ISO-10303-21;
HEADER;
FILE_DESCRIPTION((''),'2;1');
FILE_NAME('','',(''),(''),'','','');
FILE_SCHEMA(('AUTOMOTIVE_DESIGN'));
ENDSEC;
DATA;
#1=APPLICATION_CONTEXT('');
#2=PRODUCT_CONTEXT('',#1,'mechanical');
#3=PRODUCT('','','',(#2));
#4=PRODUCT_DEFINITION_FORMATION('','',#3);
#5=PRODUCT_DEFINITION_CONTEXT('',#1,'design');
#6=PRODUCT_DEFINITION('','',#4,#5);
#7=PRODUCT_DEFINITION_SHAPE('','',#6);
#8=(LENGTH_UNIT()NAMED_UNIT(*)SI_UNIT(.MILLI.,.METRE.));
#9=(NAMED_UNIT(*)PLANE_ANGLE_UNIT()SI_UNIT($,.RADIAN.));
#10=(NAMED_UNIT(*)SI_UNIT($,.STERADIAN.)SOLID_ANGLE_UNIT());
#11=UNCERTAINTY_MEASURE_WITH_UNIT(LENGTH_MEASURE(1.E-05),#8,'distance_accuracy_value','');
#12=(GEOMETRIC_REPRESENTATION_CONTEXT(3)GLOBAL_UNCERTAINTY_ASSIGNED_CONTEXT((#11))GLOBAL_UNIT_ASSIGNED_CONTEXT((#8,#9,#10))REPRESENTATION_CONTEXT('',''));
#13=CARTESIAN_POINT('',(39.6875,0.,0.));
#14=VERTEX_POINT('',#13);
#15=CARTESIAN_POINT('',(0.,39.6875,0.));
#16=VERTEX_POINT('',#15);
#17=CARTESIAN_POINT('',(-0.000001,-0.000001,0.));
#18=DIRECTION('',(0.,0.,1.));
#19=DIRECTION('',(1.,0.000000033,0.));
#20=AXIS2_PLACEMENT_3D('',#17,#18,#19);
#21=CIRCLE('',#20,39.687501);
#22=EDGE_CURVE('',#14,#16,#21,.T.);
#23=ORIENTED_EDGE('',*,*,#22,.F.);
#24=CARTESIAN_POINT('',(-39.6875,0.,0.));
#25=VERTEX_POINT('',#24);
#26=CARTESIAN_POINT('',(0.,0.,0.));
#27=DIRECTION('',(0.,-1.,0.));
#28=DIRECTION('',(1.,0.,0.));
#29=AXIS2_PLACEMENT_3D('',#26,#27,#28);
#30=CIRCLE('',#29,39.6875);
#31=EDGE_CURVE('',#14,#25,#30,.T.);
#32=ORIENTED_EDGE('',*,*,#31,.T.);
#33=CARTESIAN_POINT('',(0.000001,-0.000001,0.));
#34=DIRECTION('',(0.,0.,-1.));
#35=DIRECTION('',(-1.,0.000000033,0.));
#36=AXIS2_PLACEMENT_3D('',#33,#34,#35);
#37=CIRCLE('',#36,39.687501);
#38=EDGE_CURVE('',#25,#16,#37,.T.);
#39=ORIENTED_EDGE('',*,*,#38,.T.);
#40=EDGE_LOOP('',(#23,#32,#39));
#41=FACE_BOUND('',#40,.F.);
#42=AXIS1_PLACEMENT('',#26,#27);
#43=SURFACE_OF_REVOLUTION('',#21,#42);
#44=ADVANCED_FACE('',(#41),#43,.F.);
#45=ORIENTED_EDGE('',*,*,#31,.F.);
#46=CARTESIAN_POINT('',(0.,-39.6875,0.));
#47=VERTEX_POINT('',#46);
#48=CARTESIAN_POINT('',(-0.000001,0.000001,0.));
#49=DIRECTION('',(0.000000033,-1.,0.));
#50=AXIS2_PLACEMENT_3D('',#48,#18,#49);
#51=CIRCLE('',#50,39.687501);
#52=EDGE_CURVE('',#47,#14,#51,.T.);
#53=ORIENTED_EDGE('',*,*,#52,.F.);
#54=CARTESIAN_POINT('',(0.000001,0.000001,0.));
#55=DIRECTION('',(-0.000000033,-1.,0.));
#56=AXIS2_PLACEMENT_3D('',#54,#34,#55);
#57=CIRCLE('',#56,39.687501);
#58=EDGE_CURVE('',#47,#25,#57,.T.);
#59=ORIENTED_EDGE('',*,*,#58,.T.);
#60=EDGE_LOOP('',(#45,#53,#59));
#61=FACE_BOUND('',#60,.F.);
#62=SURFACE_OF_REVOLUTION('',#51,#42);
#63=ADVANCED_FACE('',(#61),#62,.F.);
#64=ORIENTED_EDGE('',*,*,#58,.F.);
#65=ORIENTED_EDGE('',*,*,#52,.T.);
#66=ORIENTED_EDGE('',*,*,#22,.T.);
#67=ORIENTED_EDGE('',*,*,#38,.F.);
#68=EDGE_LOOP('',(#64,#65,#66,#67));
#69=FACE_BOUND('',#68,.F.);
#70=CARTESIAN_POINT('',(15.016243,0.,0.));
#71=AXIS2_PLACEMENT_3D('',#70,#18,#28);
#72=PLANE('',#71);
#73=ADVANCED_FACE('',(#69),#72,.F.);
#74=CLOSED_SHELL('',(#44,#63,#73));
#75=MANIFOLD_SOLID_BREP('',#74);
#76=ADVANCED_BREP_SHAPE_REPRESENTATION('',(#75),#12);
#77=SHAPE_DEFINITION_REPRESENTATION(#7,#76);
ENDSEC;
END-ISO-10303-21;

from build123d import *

# Parameters (mm, degrees)
F1_ANGLE = 180


with BuildPart() as f1:
    # F0 (on Top) → F1 (revolve)
    with BuildSketch(Plane.XY):
        with BuildLine():
            ThreePointArc((0, -39.6875), (28.0633, -28.0633), (39.6875, 0))
            ThreePointArc((39.6875, 0), (28.0633, 28.0633), (0, 39.6875))
            Line((0, 39.6875), (0, -39.6875))
        make_face()
    revolve(axis=Axis((0, 0, 0), (0, -1, 0)), revolution_arc=F1_ANGLE)


solid = f1.part
